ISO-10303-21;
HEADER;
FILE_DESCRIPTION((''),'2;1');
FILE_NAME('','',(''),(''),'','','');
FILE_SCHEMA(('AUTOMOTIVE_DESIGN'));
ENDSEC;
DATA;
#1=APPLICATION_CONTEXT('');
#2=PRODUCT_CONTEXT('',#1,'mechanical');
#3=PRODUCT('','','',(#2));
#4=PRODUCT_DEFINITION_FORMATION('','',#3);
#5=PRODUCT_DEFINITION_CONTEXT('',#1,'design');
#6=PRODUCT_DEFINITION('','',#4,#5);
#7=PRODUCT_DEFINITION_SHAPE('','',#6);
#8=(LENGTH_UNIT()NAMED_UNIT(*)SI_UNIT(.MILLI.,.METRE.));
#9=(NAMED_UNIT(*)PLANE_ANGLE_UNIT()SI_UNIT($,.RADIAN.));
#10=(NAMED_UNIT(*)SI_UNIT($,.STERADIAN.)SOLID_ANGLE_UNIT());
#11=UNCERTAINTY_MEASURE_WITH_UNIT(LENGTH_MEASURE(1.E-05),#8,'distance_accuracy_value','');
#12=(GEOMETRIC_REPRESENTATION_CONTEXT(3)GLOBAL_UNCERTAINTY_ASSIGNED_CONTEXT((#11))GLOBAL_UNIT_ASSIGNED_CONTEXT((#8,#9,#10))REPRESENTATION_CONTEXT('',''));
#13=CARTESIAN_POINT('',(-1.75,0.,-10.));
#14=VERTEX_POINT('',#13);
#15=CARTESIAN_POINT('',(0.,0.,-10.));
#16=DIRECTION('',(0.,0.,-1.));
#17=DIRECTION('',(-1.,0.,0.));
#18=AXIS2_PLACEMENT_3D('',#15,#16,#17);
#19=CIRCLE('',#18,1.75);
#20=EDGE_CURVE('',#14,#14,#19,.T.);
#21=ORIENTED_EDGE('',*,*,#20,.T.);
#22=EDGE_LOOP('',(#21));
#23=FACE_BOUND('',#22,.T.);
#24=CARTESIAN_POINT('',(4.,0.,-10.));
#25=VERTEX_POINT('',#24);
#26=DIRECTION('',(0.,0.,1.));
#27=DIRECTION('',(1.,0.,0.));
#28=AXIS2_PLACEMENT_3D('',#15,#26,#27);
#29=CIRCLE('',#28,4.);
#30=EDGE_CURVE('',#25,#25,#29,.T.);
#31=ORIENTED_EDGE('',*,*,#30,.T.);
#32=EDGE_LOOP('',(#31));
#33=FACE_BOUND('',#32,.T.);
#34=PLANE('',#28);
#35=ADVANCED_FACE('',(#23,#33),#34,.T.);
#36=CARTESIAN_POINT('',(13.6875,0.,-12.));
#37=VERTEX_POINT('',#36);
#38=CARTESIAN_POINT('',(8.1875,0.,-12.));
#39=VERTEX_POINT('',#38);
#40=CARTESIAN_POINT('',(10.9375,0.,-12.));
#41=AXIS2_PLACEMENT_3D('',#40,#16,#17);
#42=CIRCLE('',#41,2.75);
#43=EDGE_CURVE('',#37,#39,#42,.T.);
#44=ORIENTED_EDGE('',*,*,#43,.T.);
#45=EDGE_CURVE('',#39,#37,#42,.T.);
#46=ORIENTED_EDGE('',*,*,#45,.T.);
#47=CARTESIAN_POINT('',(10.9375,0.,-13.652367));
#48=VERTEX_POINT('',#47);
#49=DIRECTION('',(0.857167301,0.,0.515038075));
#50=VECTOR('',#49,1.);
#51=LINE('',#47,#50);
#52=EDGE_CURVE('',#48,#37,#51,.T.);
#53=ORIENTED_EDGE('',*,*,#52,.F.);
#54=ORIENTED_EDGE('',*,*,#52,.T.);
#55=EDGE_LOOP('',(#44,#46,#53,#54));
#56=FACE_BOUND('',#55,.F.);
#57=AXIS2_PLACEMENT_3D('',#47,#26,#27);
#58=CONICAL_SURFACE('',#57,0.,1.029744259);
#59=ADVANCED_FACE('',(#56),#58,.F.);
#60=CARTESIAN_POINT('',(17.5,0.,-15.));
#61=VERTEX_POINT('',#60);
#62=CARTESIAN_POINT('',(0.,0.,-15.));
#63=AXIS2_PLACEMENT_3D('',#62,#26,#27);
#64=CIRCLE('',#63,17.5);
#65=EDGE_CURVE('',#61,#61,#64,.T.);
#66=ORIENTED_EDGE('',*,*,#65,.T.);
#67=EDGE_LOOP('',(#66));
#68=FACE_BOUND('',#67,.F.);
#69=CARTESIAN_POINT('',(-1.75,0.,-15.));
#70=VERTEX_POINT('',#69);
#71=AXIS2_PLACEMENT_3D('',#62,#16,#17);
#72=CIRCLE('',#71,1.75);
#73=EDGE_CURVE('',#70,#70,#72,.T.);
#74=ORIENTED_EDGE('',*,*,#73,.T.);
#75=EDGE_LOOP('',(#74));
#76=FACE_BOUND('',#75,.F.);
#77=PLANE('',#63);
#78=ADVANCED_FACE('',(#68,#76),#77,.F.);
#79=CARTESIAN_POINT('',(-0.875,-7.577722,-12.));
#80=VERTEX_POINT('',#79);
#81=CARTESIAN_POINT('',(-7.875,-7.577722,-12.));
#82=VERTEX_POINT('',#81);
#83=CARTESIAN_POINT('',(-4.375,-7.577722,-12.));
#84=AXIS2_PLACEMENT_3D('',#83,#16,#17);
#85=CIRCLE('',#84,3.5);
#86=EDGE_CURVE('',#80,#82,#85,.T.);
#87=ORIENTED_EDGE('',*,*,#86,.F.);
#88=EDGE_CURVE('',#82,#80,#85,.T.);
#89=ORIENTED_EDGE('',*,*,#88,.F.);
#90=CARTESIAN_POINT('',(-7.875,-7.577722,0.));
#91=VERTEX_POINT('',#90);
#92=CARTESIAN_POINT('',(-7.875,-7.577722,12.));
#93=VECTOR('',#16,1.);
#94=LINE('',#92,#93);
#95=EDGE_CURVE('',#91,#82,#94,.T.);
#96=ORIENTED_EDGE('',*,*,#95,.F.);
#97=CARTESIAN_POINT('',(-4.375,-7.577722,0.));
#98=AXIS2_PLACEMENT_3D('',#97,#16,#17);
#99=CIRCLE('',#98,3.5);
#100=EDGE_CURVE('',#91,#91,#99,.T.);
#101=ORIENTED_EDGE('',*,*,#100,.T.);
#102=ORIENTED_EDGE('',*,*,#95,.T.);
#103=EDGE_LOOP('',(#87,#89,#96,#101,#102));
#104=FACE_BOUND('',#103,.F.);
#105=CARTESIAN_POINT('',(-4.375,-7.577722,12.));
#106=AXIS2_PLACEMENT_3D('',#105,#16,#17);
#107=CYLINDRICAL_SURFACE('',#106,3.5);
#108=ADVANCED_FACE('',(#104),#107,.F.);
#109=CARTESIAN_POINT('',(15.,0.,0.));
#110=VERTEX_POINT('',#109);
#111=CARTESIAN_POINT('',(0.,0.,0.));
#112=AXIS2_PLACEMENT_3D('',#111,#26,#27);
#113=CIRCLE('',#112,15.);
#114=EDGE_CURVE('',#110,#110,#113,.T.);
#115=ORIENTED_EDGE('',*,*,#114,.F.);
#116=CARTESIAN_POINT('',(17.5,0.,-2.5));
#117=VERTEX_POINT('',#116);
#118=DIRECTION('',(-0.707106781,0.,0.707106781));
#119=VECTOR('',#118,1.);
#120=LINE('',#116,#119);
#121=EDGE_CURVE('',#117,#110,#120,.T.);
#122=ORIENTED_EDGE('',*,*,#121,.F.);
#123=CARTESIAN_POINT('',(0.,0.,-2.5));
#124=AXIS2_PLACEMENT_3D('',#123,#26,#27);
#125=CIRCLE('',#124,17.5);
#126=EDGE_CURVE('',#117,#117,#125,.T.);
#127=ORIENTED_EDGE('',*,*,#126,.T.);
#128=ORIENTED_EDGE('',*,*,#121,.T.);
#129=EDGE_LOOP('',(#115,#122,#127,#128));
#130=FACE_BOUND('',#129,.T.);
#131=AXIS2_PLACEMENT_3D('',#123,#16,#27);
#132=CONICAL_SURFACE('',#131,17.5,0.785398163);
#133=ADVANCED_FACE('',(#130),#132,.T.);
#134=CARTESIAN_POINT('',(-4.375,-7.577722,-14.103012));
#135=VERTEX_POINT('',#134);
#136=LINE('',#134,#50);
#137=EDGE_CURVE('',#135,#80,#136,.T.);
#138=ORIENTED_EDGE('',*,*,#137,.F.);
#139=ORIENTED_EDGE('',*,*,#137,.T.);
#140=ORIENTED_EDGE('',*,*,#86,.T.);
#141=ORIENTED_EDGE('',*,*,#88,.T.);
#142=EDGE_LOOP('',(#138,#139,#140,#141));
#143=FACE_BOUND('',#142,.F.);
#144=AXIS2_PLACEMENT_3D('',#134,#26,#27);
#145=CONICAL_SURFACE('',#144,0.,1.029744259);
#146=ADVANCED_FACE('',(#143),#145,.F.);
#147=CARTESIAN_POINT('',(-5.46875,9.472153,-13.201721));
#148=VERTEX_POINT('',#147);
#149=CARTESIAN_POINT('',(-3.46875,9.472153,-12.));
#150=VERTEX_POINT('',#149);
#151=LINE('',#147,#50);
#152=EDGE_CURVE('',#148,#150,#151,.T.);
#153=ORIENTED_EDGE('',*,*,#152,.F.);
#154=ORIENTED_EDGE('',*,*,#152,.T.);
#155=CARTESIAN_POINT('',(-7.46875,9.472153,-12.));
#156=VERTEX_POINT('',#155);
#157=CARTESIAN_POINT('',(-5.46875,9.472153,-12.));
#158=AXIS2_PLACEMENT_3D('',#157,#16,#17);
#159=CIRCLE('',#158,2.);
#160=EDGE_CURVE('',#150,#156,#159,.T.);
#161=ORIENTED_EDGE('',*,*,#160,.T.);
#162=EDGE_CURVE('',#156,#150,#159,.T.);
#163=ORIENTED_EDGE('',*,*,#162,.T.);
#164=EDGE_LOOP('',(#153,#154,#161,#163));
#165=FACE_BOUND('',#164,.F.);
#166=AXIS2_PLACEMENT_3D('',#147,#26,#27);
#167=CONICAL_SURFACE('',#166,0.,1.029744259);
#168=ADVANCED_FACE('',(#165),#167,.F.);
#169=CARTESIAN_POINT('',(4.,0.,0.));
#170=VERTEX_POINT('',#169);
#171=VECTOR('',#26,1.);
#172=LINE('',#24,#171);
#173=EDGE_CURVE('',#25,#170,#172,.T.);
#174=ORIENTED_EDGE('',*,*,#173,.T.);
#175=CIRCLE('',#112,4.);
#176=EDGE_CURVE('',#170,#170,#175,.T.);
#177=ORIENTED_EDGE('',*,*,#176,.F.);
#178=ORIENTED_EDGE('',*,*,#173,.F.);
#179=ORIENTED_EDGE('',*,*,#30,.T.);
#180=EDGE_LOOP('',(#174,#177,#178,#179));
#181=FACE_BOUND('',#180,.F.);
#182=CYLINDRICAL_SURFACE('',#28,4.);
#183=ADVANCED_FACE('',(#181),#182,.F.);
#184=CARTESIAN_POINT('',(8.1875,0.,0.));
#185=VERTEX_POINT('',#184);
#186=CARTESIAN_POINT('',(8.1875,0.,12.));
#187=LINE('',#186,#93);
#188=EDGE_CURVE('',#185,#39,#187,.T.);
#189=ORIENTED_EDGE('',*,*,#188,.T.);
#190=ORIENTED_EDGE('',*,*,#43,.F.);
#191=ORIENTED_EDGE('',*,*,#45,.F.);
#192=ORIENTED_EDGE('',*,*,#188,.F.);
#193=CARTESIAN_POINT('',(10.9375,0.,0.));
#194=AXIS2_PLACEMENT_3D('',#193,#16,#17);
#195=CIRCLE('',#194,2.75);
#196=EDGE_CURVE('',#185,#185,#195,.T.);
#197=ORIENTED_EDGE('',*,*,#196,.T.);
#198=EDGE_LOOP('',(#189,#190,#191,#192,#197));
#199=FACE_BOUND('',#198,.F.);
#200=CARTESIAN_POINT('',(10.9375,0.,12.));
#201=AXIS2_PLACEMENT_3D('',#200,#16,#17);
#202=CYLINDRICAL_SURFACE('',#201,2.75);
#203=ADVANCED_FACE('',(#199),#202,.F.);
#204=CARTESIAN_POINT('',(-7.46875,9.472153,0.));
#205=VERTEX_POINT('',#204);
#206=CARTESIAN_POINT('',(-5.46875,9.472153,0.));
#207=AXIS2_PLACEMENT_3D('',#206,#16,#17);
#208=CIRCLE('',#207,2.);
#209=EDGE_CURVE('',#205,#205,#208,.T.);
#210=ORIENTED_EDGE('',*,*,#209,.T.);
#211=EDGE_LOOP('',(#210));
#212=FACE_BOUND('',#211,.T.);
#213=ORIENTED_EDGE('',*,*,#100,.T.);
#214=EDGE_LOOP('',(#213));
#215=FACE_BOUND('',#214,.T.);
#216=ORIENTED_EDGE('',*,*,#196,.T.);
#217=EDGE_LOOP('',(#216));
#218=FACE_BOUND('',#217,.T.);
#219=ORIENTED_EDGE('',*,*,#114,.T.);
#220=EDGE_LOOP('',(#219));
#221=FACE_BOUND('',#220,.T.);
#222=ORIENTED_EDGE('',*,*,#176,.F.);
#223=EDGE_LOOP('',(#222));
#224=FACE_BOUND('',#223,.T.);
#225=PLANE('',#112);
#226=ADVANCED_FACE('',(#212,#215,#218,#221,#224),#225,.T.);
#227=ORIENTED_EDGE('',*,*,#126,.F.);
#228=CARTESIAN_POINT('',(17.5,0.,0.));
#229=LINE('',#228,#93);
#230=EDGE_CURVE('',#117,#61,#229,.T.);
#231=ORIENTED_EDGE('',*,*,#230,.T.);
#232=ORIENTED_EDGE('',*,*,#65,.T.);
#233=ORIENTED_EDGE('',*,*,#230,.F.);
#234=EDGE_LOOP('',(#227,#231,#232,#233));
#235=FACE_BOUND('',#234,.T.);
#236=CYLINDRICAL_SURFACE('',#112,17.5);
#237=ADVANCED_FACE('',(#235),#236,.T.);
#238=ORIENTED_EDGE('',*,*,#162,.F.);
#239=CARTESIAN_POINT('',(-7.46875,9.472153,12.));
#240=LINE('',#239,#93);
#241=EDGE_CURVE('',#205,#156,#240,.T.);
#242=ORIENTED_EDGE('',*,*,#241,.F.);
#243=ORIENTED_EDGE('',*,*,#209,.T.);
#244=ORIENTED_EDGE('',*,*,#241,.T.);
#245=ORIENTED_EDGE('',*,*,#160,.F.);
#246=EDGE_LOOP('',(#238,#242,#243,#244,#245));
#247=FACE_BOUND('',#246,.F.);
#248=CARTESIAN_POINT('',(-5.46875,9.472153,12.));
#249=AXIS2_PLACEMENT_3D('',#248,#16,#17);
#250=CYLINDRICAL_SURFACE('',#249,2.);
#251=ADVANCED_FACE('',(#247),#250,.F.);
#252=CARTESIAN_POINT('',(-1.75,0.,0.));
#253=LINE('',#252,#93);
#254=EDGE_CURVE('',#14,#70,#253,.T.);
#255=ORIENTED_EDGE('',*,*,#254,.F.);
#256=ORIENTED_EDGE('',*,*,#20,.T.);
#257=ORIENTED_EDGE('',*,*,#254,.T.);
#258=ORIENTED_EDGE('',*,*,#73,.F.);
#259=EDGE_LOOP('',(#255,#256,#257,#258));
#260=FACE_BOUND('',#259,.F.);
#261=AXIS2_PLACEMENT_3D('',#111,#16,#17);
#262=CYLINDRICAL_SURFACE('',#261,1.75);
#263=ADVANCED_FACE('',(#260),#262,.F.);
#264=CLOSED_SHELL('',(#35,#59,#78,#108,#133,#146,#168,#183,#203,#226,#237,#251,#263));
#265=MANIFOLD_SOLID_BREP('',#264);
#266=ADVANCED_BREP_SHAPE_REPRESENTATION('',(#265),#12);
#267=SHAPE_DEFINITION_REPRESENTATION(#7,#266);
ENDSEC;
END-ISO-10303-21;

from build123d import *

# Parameters (mm, degrees)
F0_R           = 17.5
F1_DEPTH       = 15
F2_D           = 5.5
F2_DEPTH       = 12
F2_TIP         = 1.6523667023
F3_D           = 7
F3_DEPTH       = 12
F3_TIP         = 2.1030121666
F4_D           = 4
F4_DEPTH       = 12
F4_TIP         = 1.2017212381
F5_D           = 3.5
F5_CBORE_D     = 8
F5_CBORE_DEPTH = 10
F6_SIZE        = 2.5


with BuildPart() as f1:
    # F0 (on Top) → F1 (new body)
    with BuildSketch(Plane.XY):
        Circle(F0_R)
    extrude(amount=-F1_DEPTH)

    # F2
    with Locations(Plane.XY):
        with Locations((10.9375, 0)):
            Hole(F2_D / 2, depth=F2_DEPTH)
            with Locations((0, 0, -(F2_DEPTH + F2_TIP / 2))):  # 118° drill point
                Cone(0, F2_D / 2, F2_TIP, mode=Mode.SUBTRACT)

    # F3
    with Locations(Plane.XY):
        with Locations((-4.375, -7.5777222831)):
            Hole(F3_D / 2, depth=F3_DEPTH)
            with Locations((0, 0, -(F3_DEPTH + F3_TIP / 2))):  # 118° drill point
                Cone(0, F3_D / 2, F3_TIP, mode=Mode.SUBTRACT)

    # F4
    with Locations(Plane.XY):
        with Locations((-5.46875, 9.4721528539)):
            Hole(F4_D / 2, depth=F4_DEPTH)
            with Locations((0, 0, -(F4_DEPTH + F4_TIP / 2))):  # 118° drill point
                Cone(0, F4_D / 2, F4_TIP, mode=Mode.SUBTRACT)

    # F5 (through all)
    with Locations(Plane.XY):
        with Locations((0, 0)):
            CounterBoreHole(F5_D / 2, F5_CBORE_D / 2, F5_CBORE_DEPTH)

    # F6
    f6_edges = [f1.edges().sort_by_distance(p)[0] for p in [
        (-17.5, 0, 0),
    ]]
    chamfer(f6_edges, length=F6_SIZE)


solid = f1.part
